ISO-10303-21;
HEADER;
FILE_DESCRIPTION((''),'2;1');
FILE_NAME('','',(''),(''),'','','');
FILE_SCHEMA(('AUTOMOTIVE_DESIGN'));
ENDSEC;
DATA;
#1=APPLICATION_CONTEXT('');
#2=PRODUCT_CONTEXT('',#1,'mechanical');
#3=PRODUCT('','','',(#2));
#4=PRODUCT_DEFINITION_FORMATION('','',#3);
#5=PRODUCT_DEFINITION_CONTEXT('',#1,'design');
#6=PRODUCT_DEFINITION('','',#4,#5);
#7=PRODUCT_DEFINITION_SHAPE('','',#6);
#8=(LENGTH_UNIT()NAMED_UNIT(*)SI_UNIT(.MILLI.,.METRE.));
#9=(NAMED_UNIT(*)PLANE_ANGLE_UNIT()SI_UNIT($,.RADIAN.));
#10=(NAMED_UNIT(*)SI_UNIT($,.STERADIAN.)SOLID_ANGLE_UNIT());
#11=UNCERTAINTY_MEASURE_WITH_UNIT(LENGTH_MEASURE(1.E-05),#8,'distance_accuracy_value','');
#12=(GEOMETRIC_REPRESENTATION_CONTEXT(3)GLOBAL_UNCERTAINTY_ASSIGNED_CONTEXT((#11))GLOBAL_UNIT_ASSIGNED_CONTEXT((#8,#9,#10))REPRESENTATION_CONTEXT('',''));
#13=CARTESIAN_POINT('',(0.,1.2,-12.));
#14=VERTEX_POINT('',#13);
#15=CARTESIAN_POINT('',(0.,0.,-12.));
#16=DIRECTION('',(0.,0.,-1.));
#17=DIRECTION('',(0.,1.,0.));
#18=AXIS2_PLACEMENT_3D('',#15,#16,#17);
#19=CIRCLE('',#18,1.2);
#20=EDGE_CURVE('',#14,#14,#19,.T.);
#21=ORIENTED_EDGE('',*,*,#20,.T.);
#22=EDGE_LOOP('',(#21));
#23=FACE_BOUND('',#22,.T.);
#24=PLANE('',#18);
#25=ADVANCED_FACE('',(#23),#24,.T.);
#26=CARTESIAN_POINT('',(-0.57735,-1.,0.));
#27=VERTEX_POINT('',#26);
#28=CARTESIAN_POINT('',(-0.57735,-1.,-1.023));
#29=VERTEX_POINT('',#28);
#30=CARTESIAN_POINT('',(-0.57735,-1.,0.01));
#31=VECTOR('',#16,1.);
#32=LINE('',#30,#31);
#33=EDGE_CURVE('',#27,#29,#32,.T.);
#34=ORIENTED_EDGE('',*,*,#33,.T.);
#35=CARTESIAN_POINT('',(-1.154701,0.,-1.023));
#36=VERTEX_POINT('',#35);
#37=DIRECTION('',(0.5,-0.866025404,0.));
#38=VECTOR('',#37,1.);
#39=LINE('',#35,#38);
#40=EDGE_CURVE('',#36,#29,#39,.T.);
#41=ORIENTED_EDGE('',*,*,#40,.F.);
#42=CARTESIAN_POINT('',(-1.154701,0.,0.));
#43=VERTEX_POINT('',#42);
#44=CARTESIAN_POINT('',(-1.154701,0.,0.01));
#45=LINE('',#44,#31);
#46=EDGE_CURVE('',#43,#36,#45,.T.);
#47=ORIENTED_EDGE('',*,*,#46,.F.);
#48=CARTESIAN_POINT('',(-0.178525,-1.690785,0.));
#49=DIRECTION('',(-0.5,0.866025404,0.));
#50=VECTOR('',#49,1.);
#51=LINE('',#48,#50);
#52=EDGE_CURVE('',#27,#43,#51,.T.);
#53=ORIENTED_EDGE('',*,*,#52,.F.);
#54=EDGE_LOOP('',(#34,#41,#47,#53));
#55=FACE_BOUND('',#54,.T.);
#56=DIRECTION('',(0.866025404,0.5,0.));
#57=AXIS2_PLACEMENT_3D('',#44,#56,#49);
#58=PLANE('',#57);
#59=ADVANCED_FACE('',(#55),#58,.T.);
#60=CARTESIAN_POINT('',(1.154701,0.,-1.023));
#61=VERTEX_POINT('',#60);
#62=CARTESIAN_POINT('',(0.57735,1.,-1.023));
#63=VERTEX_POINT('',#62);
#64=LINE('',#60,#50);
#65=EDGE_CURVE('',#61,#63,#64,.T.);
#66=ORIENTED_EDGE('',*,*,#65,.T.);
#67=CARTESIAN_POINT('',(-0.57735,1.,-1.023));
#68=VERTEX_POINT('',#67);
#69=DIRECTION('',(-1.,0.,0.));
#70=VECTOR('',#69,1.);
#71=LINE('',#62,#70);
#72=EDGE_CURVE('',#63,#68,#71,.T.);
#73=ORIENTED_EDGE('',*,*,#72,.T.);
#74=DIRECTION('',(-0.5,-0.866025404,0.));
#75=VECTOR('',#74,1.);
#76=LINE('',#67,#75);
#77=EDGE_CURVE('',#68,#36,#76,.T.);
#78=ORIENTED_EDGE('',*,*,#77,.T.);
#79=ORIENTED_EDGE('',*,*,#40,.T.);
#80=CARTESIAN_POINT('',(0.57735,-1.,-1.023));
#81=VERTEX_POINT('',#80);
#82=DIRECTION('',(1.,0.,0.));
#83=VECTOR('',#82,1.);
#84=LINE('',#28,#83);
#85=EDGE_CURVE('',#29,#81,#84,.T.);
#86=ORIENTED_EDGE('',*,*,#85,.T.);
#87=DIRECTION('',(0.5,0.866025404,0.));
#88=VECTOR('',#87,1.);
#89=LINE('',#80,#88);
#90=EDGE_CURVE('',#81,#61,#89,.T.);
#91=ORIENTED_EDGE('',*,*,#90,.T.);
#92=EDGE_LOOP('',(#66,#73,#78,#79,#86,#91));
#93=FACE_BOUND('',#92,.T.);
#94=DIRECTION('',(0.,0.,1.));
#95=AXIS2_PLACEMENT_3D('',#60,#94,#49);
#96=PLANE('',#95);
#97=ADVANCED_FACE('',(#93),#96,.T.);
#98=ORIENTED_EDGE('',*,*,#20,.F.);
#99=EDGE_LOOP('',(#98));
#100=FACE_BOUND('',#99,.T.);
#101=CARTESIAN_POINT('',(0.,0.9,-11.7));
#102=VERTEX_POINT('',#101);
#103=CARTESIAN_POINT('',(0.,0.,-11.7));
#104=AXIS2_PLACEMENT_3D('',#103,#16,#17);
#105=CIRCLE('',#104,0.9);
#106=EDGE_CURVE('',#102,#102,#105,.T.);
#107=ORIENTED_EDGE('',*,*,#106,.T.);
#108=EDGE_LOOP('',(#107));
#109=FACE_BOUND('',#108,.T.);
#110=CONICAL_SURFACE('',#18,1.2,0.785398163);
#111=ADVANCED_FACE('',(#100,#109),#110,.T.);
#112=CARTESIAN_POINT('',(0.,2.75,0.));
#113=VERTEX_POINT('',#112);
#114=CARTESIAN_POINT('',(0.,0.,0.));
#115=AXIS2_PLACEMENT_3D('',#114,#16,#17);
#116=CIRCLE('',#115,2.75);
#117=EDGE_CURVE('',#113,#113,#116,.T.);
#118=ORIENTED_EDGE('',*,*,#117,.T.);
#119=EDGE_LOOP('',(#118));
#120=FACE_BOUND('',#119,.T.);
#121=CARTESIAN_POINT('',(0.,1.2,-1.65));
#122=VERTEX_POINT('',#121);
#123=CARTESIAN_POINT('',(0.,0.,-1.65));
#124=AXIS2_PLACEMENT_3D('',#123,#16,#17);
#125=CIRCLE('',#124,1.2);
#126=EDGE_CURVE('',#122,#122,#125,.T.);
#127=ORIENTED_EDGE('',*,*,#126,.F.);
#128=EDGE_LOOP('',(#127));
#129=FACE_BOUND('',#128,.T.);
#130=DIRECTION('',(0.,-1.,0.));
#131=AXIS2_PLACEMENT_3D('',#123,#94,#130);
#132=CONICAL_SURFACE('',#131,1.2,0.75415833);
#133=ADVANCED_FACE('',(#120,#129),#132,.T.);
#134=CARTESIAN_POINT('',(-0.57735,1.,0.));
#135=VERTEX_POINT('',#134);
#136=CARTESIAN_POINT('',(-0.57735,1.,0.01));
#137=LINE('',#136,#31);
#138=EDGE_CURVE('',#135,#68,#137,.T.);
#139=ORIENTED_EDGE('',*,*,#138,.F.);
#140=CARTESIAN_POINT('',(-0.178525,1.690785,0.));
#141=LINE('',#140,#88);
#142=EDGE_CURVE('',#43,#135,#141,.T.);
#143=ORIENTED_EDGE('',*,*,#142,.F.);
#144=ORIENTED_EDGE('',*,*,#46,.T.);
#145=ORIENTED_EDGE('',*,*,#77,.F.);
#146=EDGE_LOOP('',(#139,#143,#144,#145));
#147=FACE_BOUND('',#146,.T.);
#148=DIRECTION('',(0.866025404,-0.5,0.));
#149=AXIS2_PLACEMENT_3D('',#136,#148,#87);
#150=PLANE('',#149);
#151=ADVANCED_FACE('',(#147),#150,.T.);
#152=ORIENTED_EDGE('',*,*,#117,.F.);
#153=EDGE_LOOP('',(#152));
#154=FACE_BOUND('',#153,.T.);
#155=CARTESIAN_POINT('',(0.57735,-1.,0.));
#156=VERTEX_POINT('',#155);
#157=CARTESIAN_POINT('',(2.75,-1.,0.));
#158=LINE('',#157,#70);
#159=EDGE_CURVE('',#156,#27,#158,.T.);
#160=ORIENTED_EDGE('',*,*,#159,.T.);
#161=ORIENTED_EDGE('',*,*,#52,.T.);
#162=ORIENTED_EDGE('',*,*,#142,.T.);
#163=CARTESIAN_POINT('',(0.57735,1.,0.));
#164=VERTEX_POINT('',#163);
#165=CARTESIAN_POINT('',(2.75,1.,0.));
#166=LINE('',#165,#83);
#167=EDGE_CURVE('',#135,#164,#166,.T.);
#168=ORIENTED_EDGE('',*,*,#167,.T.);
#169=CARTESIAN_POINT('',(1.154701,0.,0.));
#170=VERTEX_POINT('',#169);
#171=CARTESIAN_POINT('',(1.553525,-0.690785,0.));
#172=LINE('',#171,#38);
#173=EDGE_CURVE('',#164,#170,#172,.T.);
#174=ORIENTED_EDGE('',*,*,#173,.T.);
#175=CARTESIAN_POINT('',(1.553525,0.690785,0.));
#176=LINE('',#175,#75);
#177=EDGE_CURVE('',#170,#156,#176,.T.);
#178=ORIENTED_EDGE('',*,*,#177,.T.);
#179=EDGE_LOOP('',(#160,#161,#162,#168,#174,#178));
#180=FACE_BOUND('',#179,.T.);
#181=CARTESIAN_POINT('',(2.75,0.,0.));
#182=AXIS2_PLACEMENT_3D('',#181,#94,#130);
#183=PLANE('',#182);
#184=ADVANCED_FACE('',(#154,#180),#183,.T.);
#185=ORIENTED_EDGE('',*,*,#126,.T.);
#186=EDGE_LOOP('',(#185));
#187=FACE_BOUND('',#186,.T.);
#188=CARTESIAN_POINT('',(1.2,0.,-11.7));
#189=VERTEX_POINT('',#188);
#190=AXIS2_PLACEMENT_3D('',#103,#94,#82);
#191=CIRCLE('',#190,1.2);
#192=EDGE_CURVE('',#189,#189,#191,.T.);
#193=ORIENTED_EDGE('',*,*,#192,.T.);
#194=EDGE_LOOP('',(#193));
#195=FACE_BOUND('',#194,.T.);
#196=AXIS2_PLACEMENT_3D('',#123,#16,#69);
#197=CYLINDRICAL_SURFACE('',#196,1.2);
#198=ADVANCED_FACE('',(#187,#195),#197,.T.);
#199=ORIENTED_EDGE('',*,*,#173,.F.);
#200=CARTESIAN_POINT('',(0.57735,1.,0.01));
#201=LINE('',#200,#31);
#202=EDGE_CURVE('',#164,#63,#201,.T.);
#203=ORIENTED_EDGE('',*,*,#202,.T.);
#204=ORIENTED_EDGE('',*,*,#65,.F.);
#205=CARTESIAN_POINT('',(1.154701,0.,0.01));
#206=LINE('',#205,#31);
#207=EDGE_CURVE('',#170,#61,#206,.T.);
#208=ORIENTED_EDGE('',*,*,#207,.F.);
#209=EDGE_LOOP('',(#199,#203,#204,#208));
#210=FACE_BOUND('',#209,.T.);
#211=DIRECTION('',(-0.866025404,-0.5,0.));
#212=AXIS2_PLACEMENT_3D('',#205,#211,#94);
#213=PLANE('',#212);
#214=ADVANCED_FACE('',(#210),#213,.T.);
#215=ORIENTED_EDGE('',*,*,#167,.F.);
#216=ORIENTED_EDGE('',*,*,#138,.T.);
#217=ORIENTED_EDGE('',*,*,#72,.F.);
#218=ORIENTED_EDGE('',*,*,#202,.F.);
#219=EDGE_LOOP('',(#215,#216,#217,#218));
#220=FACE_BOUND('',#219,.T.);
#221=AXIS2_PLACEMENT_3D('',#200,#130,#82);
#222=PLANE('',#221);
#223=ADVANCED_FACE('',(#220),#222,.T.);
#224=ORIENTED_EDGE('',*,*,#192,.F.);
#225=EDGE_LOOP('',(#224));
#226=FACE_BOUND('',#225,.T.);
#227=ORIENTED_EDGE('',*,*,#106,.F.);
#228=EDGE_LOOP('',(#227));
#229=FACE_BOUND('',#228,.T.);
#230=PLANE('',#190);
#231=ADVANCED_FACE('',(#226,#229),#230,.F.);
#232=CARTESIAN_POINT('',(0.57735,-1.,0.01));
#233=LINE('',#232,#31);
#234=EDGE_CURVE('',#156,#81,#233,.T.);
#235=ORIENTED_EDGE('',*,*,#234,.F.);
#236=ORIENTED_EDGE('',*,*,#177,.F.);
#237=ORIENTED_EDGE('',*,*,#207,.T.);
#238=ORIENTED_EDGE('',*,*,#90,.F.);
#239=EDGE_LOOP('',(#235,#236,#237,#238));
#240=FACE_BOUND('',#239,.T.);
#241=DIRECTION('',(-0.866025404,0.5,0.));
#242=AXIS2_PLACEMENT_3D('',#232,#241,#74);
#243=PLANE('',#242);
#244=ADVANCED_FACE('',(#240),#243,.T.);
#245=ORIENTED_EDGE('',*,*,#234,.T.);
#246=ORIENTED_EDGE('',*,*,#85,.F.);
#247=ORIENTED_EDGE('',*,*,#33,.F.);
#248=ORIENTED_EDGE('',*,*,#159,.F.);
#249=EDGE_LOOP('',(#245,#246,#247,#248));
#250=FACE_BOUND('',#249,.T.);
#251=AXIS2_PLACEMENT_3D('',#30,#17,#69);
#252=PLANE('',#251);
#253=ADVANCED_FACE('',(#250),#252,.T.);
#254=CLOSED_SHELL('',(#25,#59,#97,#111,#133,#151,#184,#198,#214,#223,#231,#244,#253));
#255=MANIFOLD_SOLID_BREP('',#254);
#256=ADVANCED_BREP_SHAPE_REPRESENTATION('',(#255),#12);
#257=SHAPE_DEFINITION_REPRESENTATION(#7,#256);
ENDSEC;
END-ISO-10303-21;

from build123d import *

# Parameters (mm, degrees)
F_0165_CONE_ROTATE_ANGLE    = 90
F_0166_CYLINDER_SKETCH_R    = 1.2
F_0166_CYLINDER_DEPTH       = 10.05
F_0167_CONE_ROTATE_ANGLE    = 90
F_0172_EXTRUDE_DEPTH        = 1.033
F_0172_EXTRUDE_ROTATE_ANGLE = 120


with BuildPart() as part:
    # 0165_cone_Sketch → 0165_cone (revolve)
    with BuildSketch(Plane.XY, mode=Mode.PRIVATE) as f_0165_cone_sk:
        Polygon((0, 0), (1.2, 0), (2.75, 1.65), (0, 1.65), align=None)
    revolve(f_0165_cone_sk.sketch.rotate(Axis((0, -100, 0), (0, 1, 0)), 90), axis=Axis((0, -100, 0), (0, 1, 0)))


with BuildPart() as part_1:
    # 0165_cone_Rotate: moved
    add(part.part.rotate(Axis((0, 0, 0), (1, 0, 0)), F_0165_CONE_ROTATE_ANGLE))


with BuildPart() as part_2:
    # 0165_cone_Translate: moved
    add(part_1.part.moved(Location((0, 0, -1.65))))


with BuildPart() as body_2:
    # 0166_cylinder_Sketch → 0166_cylinder (new body)
    with BuildSketch(Plane.XY):
        Circle(F_0166_CYLINDER_SKETCH_R)
    extrude(amount=F_0166_CYLINDER_DEPTH)


with BuildPart() as body_2_1:
    # 0166_cylinder_Translate: moved
    add(body_2.part.moved(Location((0, 0, -11.7))))


with BuildPart() as body_3:
    # 0167_cone_Sketch → 0167_cone (revolve)
    with BuildSketch(Plane.XY, mode=Mode.PRIVATE) as f_0167_cone_sk:
        Polygon((0, 0), (1.2, 0), (0.9, 0.3), (0, 0.3), align=None)
    revolve(f_0167_cone_sk.sketch.rotate(Axis((0, -100, 0), (0, 1, 0)), 90), axis=Axis((0, -100, 0), (0, 1, 0)))


with BuildPart() as body_3_1:
    # 0167_cone_Rotate: moved
    add(body_3.part.rotate(Axis((0, 0, 0), (1, 0, 0)), F_0167_CONE_ROTATE_ANGLE))


with BuildPart() as body_3_2:
    # 0167_cone_Translate: moved
    add(body_3_1.part.moved(Location((0, 0, -12))))


with BuildPart() as body_2_2:
    add(body_2_1.part)

    # 0169_add: union body 3
    add(body_3_2.part)


with BuildPart() as part_3:
    add(part_2.part)

    # 0171_add: union body 2
    add(body_2_2.part)


with BuildPart() as body_2_2_1:
    # 0172_extrude_Sketch → 0172_extrude (new body)
    with BuildSketch(Plane.XY):
        Polygon((0, 0), (1.154700538, 0), (1.732050808, 1), (1.154700538, 2), (0, 2), (-0.577350269, 1), align=None)
    extrude(amount=F_0172_EXTRUDE_DEPTH)


with BuildPart() as body_2_2_2:
    # 0172_extrude_Rotate: moved
    add(body_2_2_1.part.rotate(Axis((0, 0, 0), (0, 0, 1)), F_0172_EXTRUDE_ROTATE_ANGLE))


with BuildPart() as body_2_2_3:
    # 0172_extrude_Translate: moved
    add(body_2_2_2.part.moved(Location((1.154700538, 0, -1.023))))


with BuildPart() as part_4:
    add(part_3.part)

    # 0174_sub: cut body 2 2
    add(body_2_2_3.part, mode=Mode.SUBTRACT)


solid = part_4.part
